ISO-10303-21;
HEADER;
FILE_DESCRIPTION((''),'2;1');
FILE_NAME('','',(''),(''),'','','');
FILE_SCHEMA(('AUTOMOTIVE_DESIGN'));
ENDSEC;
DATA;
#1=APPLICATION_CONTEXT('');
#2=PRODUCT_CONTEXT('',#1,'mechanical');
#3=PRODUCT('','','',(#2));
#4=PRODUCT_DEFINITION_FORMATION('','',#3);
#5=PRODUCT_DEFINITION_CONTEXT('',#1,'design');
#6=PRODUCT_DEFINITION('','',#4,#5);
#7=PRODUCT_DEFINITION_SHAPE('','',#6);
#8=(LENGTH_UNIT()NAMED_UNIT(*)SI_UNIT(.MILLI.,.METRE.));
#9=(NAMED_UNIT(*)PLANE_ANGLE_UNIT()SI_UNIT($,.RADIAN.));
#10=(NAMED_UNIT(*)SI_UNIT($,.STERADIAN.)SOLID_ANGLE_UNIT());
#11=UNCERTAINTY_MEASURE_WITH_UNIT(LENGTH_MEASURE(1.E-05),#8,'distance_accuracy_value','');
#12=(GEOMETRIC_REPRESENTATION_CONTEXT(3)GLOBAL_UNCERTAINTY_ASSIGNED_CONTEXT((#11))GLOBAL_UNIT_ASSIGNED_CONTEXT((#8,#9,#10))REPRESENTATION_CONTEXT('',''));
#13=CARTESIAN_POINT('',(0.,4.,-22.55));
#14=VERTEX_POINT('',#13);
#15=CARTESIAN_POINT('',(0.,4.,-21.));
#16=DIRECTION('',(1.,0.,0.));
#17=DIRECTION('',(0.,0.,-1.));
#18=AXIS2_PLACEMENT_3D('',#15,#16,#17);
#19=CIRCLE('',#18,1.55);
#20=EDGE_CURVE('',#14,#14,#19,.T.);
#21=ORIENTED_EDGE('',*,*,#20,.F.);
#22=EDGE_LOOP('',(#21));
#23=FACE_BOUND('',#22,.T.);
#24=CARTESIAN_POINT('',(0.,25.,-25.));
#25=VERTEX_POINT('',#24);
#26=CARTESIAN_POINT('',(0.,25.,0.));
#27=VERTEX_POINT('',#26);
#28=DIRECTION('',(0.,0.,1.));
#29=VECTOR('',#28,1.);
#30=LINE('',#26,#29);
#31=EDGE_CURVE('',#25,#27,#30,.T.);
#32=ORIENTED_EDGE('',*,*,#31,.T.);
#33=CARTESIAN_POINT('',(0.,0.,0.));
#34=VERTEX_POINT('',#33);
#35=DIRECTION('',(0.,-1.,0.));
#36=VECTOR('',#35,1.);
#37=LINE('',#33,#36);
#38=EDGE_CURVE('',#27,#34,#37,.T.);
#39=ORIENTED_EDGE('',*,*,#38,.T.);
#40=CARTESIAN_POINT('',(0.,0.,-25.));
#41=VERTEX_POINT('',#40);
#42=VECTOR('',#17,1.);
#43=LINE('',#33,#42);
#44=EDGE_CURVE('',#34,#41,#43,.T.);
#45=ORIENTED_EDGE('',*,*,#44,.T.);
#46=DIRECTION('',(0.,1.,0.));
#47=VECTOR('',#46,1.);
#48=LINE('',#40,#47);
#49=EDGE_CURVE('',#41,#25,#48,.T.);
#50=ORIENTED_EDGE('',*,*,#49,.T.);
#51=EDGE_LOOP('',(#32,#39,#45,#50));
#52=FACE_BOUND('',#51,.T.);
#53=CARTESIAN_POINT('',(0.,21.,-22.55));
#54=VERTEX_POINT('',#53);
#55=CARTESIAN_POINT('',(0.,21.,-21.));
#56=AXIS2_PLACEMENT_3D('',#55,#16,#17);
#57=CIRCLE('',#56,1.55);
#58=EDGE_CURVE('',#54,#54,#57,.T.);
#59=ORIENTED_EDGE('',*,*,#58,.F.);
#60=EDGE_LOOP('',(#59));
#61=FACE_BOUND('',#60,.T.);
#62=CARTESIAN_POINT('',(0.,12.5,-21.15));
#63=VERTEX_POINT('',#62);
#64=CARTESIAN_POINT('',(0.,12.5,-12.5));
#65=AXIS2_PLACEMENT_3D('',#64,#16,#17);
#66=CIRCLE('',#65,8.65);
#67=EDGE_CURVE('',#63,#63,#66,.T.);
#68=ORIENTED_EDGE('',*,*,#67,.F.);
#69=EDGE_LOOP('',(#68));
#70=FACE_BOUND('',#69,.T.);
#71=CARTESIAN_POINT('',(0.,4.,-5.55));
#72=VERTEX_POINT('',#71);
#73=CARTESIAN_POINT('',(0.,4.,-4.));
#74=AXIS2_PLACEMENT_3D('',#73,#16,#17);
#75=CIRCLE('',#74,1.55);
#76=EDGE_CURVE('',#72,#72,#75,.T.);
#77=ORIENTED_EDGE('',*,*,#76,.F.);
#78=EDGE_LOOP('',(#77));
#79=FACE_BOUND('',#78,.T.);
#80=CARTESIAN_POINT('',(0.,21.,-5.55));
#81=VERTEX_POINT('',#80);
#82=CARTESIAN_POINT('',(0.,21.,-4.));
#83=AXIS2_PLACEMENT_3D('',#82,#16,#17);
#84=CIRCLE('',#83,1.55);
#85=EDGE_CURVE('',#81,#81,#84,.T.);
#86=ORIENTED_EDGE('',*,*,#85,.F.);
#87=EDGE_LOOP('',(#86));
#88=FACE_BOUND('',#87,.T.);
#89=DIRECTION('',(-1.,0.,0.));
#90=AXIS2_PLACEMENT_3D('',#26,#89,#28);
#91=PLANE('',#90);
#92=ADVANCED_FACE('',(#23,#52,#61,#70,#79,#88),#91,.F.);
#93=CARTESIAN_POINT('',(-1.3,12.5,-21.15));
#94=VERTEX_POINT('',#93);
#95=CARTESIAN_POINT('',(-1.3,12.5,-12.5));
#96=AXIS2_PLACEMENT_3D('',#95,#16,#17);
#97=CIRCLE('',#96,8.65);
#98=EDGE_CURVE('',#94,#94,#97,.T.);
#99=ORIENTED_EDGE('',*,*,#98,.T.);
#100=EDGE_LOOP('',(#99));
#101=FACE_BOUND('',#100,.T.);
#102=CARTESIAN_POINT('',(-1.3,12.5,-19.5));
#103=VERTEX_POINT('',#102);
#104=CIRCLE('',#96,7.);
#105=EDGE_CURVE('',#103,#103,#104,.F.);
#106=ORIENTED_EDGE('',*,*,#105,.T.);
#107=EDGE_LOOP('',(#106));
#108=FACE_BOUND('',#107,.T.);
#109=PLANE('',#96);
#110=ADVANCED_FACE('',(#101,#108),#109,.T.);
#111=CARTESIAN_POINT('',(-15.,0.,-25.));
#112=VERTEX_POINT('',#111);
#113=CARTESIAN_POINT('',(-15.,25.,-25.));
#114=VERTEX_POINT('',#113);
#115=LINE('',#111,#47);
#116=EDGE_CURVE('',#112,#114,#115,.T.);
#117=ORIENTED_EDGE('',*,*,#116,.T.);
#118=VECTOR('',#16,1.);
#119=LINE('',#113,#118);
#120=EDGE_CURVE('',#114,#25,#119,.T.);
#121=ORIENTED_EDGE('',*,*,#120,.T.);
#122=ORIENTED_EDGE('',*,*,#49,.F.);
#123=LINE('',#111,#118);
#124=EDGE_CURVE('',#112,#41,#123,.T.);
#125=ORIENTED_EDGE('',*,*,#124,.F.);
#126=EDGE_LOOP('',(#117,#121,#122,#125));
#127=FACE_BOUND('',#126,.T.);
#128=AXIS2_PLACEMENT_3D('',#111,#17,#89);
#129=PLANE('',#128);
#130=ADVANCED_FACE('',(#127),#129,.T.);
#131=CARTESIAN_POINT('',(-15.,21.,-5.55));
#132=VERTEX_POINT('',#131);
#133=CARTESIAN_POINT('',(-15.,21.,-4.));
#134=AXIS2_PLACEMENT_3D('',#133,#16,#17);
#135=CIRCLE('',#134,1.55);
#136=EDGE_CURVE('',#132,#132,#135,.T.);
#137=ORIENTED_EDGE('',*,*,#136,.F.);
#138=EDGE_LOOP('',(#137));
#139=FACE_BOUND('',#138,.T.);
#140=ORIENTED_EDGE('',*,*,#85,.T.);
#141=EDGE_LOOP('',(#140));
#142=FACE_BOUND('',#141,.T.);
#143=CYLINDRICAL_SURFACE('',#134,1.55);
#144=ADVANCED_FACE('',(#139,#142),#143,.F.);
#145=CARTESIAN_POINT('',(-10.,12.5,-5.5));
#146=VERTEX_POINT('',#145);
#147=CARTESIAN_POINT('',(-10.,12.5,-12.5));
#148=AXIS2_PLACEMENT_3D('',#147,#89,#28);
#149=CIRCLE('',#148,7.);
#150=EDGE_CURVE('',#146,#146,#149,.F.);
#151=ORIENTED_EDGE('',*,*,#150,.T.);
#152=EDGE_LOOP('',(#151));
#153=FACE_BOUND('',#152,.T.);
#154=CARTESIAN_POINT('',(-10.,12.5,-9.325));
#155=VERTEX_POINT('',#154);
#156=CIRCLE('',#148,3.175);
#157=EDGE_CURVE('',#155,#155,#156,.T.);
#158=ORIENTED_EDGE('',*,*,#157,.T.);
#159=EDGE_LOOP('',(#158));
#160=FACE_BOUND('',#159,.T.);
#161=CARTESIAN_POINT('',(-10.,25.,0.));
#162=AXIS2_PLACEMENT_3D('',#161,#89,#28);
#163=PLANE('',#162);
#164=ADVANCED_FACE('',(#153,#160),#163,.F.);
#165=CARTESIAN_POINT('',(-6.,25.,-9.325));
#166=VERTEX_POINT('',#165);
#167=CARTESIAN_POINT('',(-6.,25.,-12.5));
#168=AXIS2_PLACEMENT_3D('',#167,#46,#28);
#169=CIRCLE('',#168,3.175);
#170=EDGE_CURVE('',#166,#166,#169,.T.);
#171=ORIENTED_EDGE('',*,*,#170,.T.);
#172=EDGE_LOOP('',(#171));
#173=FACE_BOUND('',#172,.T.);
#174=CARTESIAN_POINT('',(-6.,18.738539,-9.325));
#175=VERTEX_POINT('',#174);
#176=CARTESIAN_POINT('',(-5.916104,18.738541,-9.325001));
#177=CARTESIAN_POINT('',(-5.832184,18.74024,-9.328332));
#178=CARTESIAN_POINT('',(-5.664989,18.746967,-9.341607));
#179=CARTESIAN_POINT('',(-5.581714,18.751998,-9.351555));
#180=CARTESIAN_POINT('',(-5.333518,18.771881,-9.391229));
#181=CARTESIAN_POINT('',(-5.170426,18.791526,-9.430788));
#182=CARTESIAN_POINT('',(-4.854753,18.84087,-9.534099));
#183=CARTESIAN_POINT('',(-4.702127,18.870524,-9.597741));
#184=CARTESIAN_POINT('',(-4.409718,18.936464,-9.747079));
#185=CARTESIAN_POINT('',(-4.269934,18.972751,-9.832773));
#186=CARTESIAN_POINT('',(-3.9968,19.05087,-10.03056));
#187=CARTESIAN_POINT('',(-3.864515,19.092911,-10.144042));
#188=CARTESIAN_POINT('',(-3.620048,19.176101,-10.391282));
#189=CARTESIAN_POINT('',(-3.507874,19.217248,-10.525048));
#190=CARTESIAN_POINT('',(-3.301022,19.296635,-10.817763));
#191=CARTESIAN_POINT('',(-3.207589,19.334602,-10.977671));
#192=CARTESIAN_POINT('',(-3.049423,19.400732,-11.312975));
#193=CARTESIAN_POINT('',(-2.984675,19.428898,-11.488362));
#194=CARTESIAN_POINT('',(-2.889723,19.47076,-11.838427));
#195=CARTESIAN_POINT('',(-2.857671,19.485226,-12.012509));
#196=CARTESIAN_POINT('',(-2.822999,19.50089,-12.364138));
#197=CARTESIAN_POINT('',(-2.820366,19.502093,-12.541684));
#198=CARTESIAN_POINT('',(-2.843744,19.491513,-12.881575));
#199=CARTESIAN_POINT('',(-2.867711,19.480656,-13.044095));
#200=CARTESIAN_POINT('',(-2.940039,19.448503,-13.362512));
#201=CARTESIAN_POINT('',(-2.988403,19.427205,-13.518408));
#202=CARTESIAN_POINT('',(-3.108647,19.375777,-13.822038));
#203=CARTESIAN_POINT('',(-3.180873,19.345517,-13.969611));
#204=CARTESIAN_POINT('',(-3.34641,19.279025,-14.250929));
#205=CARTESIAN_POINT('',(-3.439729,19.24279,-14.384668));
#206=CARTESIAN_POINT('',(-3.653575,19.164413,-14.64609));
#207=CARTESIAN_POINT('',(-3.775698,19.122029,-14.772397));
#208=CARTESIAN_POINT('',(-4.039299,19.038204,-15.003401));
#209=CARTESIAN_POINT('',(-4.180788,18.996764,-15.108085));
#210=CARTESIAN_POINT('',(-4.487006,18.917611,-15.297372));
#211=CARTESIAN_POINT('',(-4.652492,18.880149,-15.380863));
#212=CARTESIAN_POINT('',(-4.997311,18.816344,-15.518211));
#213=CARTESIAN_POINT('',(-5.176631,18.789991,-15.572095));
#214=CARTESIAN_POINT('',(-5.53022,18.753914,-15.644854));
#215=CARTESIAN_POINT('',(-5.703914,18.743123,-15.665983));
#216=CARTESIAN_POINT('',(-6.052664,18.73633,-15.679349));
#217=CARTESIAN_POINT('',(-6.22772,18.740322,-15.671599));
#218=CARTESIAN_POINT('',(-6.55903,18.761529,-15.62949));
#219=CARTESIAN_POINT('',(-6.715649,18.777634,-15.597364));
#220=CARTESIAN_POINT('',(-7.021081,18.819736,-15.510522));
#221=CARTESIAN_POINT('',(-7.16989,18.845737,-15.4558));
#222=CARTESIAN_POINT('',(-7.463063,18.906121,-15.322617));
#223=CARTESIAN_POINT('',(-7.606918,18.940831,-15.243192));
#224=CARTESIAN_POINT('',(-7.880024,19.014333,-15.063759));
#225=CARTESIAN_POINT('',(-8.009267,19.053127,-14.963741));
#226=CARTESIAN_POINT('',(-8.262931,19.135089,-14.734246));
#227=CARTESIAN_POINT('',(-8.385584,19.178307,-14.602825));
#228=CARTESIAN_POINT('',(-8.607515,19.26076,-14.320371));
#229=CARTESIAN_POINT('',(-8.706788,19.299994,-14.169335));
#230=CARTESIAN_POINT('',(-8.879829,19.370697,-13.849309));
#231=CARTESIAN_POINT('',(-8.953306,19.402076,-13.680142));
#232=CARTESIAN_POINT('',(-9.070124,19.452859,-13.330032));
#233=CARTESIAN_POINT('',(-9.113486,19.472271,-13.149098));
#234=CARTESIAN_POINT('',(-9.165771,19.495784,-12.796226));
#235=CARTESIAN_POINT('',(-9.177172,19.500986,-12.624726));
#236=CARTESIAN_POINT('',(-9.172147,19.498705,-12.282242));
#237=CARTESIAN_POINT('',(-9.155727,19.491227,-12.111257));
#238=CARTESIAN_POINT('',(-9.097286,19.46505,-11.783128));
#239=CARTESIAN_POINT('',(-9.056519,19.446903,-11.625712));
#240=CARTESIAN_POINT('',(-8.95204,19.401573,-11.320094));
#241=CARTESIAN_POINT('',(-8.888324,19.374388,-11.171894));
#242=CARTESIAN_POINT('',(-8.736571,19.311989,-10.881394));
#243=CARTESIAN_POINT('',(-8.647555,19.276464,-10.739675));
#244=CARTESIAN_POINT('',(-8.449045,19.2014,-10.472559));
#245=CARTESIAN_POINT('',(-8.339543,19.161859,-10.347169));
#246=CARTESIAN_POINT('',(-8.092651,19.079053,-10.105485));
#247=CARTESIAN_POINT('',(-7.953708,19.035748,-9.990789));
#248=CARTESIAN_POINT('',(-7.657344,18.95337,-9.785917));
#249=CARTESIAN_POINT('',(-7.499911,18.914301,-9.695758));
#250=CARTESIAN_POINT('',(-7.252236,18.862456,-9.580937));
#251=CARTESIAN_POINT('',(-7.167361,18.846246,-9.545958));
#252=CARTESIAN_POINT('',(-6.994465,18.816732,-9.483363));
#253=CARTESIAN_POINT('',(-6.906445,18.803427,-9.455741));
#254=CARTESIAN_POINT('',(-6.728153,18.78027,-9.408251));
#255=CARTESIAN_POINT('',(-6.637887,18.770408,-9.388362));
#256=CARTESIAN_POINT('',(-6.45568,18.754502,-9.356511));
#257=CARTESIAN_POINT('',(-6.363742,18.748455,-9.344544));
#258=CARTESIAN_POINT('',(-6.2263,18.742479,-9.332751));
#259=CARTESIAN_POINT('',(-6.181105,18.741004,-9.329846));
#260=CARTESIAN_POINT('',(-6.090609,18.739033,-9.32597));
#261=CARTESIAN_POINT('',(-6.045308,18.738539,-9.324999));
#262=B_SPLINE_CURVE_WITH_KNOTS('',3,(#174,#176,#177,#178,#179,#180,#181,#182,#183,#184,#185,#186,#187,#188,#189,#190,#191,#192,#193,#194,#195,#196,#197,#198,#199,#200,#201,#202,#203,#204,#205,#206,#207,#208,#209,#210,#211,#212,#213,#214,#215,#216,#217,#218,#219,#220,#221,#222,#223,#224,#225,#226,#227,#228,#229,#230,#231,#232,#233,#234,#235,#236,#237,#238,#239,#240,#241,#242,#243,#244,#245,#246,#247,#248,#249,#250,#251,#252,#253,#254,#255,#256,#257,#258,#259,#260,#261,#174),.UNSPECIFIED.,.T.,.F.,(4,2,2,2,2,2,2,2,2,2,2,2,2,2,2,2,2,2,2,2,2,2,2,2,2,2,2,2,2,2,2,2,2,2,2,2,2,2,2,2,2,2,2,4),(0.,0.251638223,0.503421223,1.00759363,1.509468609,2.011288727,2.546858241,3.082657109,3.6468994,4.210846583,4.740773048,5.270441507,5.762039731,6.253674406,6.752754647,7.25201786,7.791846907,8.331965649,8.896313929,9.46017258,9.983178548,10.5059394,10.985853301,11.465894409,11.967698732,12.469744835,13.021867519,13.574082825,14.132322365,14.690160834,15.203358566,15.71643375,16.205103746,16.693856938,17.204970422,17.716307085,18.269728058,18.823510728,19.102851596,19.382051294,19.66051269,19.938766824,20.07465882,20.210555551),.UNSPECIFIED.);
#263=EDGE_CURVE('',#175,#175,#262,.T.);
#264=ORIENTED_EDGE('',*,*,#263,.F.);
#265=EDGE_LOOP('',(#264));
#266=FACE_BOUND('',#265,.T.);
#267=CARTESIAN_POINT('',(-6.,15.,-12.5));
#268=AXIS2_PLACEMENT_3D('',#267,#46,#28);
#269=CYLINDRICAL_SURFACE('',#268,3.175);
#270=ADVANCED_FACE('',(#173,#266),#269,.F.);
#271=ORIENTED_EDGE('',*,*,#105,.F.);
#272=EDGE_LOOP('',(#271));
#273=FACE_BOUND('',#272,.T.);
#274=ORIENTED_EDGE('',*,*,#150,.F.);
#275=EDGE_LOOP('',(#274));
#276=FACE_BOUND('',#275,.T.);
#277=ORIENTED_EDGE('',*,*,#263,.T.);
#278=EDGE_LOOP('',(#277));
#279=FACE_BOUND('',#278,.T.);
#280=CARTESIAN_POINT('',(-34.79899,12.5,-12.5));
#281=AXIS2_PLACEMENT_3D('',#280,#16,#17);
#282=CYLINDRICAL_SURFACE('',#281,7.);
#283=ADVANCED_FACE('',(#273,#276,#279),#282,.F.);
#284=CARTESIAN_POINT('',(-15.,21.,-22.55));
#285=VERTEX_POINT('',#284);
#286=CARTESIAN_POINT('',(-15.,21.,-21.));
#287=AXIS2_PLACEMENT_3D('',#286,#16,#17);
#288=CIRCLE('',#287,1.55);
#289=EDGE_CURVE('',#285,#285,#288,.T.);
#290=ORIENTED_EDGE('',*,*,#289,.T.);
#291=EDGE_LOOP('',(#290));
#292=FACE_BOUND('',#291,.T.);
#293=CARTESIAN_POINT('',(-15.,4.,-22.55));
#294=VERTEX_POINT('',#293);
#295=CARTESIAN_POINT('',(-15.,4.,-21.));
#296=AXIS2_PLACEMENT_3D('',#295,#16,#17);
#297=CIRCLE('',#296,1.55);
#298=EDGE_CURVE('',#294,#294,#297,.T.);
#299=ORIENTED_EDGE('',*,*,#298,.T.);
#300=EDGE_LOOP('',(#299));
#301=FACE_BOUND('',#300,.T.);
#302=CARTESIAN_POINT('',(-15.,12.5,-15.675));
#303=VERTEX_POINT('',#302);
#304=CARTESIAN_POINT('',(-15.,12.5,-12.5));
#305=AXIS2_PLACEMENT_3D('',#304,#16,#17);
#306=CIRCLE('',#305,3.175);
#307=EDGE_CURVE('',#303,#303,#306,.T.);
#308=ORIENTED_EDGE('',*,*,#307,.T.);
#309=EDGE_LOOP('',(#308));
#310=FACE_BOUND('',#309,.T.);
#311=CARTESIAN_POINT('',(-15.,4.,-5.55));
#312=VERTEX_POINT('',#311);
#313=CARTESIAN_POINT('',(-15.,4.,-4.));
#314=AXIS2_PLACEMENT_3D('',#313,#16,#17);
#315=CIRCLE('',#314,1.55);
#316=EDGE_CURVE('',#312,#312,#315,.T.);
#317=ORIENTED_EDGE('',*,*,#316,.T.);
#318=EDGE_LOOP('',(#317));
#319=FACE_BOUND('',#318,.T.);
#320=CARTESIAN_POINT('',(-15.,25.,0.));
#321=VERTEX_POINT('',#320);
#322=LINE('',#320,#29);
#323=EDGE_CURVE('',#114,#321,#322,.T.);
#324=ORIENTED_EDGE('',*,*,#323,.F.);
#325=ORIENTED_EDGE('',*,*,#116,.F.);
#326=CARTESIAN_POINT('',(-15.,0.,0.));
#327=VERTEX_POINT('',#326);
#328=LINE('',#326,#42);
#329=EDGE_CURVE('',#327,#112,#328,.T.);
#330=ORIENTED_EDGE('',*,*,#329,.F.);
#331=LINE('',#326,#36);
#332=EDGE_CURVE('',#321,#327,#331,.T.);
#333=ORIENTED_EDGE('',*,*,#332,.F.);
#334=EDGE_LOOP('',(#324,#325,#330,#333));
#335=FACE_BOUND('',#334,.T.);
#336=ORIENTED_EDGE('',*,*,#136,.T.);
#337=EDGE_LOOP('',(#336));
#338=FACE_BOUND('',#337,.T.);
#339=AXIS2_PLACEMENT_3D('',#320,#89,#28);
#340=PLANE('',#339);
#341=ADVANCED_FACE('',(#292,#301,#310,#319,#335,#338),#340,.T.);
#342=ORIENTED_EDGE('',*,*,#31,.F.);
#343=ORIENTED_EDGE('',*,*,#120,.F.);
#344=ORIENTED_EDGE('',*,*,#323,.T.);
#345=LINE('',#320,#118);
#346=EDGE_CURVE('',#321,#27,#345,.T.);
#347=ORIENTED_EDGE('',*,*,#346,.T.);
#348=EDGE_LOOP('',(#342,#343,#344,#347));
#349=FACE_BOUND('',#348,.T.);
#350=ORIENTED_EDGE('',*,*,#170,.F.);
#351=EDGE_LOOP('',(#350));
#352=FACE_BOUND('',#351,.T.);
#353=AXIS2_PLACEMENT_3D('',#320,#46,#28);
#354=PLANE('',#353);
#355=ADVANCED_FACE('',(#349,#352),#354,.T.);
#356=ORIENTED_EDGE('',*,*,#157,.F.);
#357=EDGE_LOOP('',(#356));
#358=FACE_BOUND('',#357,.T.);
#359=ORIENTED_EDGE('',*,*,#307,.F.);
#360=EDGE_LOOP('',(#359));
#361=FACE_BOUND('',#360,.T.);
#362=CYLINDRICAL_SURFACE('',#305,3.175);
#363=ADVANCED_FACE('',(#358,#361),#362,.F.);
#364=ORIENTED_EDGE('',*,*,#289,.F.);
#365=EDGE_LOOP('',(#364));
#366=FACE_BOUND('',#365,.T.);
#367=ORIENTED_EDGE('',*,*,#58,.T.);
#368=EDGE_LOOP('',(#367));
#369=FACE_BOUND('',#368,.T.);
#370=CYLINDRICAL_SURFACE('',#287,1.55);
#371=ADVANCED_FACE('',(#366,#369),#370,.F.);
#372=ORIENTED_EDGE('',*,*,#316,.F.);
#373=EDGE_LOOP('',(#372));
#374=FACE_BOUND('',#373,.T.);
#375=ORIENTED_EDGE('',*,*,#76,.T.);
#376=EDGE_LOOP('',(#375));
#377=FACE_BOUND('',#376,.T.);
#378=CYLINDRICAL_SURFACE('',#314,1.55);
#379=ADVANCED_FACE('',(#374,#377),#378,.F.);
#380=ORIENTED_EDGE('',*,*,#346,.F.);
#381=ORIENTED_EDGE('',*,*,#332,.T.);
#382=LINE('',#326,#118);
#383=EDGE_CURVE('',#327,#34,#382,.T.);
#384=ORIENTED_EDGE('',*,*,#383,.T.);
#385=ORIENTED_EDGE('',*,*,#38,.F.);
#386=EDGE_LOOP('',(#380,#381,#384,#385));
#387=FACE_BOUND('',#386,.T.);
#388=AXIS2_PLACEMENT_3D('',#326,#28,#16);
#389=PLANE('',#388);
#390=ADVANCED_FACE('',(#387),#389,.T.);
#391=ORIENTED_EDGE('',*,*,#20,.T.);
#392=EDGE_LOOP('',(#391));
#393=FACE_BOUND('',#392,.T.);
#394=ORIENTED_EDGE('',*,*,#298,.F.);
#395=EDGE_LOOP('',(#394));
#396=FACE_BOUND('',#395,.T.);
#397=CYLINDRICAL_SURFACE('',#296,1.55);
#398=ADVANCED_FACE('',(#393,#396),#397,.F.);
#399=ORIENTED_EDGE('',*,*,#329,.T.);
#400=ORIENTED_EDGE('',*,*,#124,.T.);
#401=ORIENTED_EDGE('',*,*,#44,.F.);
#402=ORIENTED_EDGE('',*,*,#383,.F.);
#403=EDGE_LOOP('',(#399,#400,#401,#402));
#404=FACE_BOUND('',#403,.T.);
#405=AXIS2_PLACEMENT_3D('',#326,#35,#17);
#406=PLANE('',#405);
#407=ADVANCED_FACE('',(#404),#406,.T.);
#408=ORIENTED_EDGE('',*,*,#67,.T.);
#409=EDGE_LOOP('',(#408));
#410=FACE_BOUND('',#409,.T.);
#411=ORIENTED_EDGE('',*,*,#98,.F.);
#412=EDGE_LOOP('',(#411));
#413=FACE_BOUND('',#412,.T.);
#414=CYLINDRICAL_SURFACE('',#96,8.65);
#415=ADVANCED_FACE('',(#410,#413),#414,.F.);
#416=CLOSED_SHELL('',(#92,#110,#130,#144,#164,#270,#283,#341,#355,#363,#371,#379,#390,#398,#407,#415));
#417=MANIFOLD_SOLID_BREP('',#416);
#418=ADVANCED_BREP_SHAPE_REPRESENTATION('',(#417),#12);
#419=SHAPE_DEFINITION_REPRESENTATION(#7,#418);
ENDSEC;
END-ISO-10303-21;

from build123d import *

# Parameters (mm, degrees)
SKETCH1_W          = 25
SKETCH1_H          = 25
SKETCH1_R          = 1.55
EXTRUDE1_DEPTH     = 15
SKETCH2_R          = 7
CUT_EXTRUDE1_DEPTH = 10
SKETCH3_R          = 3.175
CUT_EXTRUDE2_DEPTH = 39.405728739
SKETCH4_R          = 3.175
CUT_EXTRUDE3_DEPTH = 10
SKETCH7_R          = 8.65
CUT_EXTRUDE4_DEPTH = 1.3


with BuildPart() as part:
    # Sketch1 → Extrude1 (new body)
    with BuildSketch(Plane(origin=(0, 0, 0), x_dir=(0, 0, -1), z_dir=(1, 0, 0))):
        with Locations((12.5, 12.5)):
            Rectangle(SKETCH1_W, SKETCH1_H)
        with Locations((4, 4)):
            Circle(SKETCH1_R, mode=Mode.SUBTRACT)
        with Locations((4, 21)):
            Circle(SKETCH1_R, mode=Mode.SUBTRACT)
        with Locations((21, 21)):
            Circle(SKETCH1_R, mode=Mode.SUBTRACT)
        with Locations((21, 4)):
            Circle(SKETCH1_R, mode=Mode.SUBTRACT)
    extrude(amount=-EXTRUDE1_DEPTH)

    # Sketch2 → Cut-Extrude1 (cut)
    with BuildSketch(Plane(origin=(0, 0, 0), x_dir=(0, 0, -1), z_dir=(1, 0, 0))):
        with Locations((12.5, 12.5)):
            Circle(SKETCH2_R)
    extrude(amount=-CUT_EXTRUDE1_DEPTH, mode=Mode.SUBTRACT)

    # Sketch3 → Cut-Extrude2 (cut, through all)
    with BuildSketch(Plane(origin=(0, 0, 0), x_dir=(0, 0, -1), z_dir=(1, 0, 0))):
        with Locations((12.5, 12.5)):
            Circle(SKETCH3_R)
    extrude(amount=-CUT_EXTRUDE2_DEPTH, mode=Mode.SUBTRACT)

    # Sketch4 → Cut-Extrude3 (cut)
    with BuildSketch(Plane(origin=(0, 25, 0), x_dir=(1, 0, 0), z_dir=(0, 1, 0))):
        with Locations(Location((-6, 12.5, 0), (0, 0, 270))):
            Circle(SKETCH4_R)
    extrude(amount=-CUT_EXTRUDE3_DEPTH, mode=Mode.SUBTRACT)

    # Sketch7 → Cut-Extrude4 (cut)
    with BuildSketch(Plane(origin=(0, 0, 0), x_dir=(0, 0, -1), z_dir=(1, 0, 0))):
        with Locations((12.5, 12.5)):
            Circle(SKETCH7_R)
    extrude(amount=-CUT_EXTRUDE4_DEPTH, mode=Mode.SUBTRACT)


solid = part.part
